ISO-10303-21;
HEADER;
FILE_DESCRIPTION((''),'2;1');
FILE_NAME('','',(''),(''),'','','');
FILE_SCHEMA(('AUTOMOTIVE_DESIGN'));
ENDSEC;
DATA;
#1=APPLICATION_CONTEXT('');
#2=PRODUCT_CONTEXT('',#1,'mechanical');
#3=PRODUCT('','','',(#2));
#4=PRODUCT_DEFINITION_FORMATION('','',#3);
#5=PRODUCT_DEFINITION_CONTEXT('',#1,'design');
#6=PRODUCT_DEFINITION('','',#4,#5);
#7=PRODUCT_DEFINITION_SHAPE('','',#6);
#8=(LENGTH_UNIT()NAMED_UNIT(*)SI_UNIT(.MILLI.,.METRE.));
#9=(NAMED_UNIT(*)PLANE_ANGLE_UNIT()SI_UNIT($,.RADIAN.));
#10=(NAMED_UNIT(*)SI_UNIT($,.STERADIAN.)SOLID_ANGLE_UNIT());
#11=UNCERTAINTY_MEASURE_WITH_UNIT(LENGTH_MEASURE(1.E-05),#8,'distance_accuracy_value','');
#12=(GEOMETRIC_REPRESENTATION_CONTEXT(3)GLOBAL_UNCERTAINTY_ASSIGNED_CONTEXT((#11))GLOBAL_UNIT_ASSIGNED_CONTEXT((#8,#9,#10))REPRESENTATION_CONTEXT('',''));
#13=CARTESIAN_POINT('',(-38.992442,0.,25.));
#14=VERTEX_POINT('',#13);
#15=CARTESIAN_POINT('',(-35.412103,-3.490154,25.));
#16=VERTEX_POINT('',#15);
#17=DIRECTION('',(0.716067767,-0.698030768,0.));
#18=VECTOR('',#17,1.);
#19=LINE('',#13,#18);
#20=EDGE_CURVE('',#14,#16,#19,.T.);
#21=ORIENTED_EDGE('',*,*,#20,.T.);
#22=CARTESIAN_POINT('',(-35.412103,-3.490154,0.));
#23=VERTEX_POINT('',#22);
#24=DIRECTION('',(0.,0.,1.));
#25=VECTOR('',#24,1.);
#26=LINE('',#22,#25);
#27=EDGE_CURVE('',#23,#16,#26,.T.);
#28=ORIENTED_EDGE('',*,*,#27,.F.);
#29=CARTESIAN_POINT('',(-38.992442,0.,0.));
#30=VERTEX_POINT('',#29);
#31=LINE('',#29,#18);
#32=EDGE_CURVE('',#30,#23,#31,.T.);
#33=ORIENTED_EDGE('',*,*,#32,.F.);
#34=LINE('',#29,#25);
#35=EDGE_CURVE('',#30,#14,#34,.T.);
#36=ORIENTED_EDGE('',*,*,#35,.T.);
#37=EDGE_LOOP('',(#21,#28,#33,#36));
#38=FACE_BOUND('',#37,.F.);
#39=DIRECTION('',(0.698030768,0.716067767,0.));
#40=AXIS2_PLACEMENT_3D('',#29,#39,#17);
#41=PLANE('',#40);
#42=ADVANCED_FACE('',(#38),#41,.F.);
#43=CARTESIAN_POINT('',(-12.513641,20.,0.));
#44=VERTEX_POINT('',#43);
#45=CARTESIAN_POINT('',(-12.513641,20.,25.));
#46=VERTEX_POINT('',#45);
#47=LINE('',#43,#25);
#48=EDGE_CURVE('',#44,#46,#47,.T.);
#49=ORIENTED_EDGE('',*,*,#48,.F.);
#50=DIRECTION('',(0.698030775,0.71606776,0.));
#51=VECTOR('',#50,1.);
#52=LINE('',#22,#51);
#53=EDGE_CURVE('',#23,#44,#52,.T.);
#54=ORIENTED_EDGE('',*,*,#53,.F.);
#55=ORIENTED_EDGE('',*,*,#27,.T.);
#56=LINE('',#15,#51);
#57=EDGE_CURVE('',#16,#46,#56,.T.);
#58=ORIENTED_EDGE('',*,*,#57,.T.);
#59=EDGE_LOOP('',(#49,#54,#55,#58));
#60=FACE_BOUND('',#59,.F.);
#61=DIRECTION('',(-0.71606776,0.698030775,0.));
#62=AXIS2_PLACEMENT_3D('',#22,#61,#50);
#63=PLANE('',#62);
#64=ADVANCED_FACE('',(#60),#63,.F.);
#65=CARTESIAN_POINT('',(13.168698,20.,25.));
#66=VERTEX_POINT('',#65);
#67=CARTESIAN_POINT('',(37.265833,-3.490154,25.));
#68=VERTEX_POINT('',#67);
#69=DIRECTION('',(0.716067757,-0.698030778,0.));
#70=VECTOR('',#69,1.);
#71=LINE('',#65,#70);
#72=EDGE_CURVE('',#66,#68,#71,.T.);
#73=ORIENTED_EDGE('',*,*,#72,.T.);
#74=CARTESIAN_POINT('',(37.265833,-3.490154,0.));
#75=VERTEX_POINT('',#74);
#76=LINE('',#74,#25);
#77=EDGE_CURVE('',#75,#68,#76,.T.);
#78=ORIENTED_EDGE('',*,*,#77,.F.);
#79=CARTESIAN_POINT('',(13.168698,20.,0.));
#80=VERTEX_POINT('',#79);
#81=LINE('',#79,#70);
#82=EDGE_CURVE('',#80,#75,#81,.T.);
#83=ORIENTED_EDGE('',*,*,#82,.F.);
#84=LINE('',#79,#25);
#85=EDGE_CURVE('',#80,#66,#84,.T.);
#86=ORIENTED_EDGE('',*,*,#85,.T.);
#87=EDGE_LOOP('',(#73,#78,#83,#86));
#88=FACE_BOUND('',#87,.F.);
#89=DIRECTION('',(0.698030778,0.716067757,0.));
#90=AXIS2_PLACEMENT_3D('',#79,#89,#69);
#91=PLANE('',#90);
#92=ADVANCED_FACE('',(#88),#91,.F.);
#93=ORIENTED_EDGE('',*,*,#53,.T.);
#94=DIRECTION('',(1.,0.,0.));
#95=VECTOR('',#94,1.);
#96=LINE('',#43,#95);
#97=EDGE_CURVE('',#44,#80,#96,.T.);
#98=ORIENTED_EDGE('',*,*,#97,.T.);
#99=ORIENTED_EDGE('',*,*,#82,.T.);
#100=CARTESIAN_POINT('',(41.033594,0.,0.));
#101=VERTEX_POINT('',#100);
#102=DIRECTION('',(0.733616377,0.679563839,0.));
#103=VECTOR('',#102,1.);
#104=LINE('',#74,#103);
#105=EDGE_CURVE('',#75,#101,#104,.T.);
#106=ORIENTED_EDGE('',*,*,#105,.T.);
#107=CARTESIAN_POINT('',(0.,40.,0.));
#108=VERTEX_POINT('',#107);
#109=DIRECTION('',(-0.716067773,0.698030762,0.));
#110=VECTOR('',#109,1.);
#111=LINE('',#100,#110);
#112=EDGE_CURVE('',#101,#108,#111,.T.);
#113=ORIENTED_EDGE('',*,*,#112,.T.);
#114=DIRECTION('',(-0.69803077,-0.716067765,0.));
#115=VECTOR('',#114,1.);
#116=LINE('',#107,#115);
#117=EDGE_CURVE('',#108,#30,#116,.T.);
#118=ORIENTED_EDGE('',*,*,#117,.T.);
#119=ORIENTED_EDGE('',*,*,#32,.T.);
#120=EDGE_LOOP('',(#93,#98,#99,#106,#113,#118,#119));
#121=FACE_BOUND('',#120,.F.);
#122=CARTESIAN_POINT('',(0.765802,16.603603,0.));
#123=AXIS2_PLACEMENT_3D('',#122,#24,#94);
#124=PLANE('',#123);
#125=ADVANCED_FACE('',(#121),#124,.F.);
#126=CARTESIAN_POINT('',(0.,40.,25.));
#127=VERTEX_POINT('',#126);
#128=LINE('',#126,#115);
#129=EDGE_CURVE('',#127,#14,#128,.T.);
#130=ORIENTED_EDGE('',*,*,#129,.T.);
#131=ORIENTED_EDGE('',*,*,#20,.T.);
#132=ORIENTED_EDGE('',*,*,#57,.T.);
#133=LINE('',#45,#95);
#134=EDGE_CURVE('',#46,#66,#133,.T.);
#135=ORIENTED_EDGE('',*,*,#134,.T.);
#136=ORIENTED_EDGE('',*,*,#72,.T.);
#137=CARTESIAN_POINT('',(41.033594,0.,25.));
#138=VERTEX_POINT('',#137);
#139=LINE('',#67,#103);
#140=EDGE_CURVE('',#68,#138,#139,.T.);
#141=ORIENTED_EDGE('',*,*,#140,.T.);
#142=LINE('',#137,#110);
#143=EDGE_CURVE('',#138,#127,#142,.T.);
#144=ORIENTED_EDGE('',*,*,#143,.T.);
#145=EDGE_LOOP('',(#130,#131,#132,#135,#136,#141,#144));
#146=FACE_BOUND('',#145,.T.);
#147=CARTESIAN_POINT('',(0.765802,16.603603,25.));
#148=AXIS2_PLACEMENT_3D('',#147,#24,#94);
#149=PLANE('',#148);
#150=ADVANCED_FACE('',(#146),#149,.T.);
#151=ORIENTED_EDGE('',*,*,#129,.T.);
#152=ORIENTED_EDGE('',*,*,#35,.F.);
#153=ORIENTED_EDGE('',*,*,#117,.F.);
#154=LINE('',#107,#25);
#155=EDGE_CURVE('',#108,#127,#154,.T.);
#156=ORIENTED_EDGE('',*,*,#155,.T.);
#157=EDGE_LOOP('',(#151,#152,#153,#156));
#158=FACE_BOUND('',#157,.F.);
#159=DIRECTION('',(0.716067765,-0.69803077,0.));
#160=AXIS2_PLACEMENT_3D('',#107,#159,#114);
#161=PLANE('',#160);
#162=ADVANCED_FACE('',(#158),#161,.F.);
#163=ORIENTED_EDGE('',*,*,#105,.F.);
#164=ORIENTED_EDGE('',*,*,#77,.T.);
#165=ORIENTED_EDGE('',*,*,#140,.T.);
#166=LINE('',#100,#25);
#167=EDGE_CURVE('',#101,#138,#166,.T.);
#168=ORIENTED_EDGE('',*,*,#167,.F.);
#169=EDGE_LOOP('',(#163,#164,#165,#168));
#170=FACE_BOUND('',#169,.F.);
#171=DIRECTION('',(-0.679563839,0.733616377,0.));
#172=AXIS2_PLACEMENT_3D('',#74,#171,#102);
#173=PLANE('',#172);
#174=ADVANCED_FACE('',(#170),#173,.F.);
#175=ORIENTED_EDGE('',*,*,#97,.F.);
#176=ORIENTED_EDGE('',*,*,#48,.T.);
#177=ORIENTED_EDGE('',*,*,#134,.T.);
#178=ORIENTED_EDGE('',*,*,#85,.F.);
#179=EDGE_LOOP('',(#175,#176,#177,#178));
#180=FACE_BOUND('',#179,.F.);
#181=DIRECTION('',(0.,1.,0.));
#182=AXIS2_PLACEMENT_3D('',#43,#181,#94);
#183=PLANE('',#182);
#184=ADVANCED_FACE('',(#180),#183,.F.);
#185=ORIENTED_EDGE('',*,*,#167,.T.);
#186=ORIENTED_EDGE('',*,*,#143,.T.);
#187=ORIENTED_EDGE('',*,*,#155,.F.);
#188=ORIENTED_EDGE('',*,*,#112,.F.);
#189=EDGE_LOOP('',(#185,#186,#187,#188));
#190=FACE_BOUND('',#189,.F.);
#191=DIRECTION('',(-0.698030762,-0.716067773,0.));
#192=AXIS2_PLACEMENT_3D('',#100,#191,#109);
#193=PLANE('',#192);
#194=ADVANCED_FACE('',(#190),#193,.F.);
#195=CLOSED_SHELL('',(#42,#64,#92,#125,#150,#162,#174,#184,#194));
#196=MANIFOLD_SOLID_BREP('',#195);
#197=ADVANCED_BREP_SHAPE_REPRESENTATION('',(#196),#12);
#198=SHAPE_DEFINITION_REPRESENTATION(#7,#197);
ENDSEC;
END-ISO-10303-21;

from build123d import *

# Parameters (mm, degrees)
F1_DEPTH = 25


with BuildPart() as f1:
    # F0 (on Top) → F1 (new body)
    with BuildSketch(Plane.XY):
        Polygon((0, 40), (-38.992442, 0), (-35.412103, -3.490154), (-12.513641, 20), (0, 32.836992), (13.168698, 20), (37.265833, -3.490154), (41.033594, 0), align=None)
        Polygon((0, 32.836992), (-12.513641, 20), (13.168698, 20), align=None)
    extrude(amount=F1_DEPTH)


solid = f1.part
